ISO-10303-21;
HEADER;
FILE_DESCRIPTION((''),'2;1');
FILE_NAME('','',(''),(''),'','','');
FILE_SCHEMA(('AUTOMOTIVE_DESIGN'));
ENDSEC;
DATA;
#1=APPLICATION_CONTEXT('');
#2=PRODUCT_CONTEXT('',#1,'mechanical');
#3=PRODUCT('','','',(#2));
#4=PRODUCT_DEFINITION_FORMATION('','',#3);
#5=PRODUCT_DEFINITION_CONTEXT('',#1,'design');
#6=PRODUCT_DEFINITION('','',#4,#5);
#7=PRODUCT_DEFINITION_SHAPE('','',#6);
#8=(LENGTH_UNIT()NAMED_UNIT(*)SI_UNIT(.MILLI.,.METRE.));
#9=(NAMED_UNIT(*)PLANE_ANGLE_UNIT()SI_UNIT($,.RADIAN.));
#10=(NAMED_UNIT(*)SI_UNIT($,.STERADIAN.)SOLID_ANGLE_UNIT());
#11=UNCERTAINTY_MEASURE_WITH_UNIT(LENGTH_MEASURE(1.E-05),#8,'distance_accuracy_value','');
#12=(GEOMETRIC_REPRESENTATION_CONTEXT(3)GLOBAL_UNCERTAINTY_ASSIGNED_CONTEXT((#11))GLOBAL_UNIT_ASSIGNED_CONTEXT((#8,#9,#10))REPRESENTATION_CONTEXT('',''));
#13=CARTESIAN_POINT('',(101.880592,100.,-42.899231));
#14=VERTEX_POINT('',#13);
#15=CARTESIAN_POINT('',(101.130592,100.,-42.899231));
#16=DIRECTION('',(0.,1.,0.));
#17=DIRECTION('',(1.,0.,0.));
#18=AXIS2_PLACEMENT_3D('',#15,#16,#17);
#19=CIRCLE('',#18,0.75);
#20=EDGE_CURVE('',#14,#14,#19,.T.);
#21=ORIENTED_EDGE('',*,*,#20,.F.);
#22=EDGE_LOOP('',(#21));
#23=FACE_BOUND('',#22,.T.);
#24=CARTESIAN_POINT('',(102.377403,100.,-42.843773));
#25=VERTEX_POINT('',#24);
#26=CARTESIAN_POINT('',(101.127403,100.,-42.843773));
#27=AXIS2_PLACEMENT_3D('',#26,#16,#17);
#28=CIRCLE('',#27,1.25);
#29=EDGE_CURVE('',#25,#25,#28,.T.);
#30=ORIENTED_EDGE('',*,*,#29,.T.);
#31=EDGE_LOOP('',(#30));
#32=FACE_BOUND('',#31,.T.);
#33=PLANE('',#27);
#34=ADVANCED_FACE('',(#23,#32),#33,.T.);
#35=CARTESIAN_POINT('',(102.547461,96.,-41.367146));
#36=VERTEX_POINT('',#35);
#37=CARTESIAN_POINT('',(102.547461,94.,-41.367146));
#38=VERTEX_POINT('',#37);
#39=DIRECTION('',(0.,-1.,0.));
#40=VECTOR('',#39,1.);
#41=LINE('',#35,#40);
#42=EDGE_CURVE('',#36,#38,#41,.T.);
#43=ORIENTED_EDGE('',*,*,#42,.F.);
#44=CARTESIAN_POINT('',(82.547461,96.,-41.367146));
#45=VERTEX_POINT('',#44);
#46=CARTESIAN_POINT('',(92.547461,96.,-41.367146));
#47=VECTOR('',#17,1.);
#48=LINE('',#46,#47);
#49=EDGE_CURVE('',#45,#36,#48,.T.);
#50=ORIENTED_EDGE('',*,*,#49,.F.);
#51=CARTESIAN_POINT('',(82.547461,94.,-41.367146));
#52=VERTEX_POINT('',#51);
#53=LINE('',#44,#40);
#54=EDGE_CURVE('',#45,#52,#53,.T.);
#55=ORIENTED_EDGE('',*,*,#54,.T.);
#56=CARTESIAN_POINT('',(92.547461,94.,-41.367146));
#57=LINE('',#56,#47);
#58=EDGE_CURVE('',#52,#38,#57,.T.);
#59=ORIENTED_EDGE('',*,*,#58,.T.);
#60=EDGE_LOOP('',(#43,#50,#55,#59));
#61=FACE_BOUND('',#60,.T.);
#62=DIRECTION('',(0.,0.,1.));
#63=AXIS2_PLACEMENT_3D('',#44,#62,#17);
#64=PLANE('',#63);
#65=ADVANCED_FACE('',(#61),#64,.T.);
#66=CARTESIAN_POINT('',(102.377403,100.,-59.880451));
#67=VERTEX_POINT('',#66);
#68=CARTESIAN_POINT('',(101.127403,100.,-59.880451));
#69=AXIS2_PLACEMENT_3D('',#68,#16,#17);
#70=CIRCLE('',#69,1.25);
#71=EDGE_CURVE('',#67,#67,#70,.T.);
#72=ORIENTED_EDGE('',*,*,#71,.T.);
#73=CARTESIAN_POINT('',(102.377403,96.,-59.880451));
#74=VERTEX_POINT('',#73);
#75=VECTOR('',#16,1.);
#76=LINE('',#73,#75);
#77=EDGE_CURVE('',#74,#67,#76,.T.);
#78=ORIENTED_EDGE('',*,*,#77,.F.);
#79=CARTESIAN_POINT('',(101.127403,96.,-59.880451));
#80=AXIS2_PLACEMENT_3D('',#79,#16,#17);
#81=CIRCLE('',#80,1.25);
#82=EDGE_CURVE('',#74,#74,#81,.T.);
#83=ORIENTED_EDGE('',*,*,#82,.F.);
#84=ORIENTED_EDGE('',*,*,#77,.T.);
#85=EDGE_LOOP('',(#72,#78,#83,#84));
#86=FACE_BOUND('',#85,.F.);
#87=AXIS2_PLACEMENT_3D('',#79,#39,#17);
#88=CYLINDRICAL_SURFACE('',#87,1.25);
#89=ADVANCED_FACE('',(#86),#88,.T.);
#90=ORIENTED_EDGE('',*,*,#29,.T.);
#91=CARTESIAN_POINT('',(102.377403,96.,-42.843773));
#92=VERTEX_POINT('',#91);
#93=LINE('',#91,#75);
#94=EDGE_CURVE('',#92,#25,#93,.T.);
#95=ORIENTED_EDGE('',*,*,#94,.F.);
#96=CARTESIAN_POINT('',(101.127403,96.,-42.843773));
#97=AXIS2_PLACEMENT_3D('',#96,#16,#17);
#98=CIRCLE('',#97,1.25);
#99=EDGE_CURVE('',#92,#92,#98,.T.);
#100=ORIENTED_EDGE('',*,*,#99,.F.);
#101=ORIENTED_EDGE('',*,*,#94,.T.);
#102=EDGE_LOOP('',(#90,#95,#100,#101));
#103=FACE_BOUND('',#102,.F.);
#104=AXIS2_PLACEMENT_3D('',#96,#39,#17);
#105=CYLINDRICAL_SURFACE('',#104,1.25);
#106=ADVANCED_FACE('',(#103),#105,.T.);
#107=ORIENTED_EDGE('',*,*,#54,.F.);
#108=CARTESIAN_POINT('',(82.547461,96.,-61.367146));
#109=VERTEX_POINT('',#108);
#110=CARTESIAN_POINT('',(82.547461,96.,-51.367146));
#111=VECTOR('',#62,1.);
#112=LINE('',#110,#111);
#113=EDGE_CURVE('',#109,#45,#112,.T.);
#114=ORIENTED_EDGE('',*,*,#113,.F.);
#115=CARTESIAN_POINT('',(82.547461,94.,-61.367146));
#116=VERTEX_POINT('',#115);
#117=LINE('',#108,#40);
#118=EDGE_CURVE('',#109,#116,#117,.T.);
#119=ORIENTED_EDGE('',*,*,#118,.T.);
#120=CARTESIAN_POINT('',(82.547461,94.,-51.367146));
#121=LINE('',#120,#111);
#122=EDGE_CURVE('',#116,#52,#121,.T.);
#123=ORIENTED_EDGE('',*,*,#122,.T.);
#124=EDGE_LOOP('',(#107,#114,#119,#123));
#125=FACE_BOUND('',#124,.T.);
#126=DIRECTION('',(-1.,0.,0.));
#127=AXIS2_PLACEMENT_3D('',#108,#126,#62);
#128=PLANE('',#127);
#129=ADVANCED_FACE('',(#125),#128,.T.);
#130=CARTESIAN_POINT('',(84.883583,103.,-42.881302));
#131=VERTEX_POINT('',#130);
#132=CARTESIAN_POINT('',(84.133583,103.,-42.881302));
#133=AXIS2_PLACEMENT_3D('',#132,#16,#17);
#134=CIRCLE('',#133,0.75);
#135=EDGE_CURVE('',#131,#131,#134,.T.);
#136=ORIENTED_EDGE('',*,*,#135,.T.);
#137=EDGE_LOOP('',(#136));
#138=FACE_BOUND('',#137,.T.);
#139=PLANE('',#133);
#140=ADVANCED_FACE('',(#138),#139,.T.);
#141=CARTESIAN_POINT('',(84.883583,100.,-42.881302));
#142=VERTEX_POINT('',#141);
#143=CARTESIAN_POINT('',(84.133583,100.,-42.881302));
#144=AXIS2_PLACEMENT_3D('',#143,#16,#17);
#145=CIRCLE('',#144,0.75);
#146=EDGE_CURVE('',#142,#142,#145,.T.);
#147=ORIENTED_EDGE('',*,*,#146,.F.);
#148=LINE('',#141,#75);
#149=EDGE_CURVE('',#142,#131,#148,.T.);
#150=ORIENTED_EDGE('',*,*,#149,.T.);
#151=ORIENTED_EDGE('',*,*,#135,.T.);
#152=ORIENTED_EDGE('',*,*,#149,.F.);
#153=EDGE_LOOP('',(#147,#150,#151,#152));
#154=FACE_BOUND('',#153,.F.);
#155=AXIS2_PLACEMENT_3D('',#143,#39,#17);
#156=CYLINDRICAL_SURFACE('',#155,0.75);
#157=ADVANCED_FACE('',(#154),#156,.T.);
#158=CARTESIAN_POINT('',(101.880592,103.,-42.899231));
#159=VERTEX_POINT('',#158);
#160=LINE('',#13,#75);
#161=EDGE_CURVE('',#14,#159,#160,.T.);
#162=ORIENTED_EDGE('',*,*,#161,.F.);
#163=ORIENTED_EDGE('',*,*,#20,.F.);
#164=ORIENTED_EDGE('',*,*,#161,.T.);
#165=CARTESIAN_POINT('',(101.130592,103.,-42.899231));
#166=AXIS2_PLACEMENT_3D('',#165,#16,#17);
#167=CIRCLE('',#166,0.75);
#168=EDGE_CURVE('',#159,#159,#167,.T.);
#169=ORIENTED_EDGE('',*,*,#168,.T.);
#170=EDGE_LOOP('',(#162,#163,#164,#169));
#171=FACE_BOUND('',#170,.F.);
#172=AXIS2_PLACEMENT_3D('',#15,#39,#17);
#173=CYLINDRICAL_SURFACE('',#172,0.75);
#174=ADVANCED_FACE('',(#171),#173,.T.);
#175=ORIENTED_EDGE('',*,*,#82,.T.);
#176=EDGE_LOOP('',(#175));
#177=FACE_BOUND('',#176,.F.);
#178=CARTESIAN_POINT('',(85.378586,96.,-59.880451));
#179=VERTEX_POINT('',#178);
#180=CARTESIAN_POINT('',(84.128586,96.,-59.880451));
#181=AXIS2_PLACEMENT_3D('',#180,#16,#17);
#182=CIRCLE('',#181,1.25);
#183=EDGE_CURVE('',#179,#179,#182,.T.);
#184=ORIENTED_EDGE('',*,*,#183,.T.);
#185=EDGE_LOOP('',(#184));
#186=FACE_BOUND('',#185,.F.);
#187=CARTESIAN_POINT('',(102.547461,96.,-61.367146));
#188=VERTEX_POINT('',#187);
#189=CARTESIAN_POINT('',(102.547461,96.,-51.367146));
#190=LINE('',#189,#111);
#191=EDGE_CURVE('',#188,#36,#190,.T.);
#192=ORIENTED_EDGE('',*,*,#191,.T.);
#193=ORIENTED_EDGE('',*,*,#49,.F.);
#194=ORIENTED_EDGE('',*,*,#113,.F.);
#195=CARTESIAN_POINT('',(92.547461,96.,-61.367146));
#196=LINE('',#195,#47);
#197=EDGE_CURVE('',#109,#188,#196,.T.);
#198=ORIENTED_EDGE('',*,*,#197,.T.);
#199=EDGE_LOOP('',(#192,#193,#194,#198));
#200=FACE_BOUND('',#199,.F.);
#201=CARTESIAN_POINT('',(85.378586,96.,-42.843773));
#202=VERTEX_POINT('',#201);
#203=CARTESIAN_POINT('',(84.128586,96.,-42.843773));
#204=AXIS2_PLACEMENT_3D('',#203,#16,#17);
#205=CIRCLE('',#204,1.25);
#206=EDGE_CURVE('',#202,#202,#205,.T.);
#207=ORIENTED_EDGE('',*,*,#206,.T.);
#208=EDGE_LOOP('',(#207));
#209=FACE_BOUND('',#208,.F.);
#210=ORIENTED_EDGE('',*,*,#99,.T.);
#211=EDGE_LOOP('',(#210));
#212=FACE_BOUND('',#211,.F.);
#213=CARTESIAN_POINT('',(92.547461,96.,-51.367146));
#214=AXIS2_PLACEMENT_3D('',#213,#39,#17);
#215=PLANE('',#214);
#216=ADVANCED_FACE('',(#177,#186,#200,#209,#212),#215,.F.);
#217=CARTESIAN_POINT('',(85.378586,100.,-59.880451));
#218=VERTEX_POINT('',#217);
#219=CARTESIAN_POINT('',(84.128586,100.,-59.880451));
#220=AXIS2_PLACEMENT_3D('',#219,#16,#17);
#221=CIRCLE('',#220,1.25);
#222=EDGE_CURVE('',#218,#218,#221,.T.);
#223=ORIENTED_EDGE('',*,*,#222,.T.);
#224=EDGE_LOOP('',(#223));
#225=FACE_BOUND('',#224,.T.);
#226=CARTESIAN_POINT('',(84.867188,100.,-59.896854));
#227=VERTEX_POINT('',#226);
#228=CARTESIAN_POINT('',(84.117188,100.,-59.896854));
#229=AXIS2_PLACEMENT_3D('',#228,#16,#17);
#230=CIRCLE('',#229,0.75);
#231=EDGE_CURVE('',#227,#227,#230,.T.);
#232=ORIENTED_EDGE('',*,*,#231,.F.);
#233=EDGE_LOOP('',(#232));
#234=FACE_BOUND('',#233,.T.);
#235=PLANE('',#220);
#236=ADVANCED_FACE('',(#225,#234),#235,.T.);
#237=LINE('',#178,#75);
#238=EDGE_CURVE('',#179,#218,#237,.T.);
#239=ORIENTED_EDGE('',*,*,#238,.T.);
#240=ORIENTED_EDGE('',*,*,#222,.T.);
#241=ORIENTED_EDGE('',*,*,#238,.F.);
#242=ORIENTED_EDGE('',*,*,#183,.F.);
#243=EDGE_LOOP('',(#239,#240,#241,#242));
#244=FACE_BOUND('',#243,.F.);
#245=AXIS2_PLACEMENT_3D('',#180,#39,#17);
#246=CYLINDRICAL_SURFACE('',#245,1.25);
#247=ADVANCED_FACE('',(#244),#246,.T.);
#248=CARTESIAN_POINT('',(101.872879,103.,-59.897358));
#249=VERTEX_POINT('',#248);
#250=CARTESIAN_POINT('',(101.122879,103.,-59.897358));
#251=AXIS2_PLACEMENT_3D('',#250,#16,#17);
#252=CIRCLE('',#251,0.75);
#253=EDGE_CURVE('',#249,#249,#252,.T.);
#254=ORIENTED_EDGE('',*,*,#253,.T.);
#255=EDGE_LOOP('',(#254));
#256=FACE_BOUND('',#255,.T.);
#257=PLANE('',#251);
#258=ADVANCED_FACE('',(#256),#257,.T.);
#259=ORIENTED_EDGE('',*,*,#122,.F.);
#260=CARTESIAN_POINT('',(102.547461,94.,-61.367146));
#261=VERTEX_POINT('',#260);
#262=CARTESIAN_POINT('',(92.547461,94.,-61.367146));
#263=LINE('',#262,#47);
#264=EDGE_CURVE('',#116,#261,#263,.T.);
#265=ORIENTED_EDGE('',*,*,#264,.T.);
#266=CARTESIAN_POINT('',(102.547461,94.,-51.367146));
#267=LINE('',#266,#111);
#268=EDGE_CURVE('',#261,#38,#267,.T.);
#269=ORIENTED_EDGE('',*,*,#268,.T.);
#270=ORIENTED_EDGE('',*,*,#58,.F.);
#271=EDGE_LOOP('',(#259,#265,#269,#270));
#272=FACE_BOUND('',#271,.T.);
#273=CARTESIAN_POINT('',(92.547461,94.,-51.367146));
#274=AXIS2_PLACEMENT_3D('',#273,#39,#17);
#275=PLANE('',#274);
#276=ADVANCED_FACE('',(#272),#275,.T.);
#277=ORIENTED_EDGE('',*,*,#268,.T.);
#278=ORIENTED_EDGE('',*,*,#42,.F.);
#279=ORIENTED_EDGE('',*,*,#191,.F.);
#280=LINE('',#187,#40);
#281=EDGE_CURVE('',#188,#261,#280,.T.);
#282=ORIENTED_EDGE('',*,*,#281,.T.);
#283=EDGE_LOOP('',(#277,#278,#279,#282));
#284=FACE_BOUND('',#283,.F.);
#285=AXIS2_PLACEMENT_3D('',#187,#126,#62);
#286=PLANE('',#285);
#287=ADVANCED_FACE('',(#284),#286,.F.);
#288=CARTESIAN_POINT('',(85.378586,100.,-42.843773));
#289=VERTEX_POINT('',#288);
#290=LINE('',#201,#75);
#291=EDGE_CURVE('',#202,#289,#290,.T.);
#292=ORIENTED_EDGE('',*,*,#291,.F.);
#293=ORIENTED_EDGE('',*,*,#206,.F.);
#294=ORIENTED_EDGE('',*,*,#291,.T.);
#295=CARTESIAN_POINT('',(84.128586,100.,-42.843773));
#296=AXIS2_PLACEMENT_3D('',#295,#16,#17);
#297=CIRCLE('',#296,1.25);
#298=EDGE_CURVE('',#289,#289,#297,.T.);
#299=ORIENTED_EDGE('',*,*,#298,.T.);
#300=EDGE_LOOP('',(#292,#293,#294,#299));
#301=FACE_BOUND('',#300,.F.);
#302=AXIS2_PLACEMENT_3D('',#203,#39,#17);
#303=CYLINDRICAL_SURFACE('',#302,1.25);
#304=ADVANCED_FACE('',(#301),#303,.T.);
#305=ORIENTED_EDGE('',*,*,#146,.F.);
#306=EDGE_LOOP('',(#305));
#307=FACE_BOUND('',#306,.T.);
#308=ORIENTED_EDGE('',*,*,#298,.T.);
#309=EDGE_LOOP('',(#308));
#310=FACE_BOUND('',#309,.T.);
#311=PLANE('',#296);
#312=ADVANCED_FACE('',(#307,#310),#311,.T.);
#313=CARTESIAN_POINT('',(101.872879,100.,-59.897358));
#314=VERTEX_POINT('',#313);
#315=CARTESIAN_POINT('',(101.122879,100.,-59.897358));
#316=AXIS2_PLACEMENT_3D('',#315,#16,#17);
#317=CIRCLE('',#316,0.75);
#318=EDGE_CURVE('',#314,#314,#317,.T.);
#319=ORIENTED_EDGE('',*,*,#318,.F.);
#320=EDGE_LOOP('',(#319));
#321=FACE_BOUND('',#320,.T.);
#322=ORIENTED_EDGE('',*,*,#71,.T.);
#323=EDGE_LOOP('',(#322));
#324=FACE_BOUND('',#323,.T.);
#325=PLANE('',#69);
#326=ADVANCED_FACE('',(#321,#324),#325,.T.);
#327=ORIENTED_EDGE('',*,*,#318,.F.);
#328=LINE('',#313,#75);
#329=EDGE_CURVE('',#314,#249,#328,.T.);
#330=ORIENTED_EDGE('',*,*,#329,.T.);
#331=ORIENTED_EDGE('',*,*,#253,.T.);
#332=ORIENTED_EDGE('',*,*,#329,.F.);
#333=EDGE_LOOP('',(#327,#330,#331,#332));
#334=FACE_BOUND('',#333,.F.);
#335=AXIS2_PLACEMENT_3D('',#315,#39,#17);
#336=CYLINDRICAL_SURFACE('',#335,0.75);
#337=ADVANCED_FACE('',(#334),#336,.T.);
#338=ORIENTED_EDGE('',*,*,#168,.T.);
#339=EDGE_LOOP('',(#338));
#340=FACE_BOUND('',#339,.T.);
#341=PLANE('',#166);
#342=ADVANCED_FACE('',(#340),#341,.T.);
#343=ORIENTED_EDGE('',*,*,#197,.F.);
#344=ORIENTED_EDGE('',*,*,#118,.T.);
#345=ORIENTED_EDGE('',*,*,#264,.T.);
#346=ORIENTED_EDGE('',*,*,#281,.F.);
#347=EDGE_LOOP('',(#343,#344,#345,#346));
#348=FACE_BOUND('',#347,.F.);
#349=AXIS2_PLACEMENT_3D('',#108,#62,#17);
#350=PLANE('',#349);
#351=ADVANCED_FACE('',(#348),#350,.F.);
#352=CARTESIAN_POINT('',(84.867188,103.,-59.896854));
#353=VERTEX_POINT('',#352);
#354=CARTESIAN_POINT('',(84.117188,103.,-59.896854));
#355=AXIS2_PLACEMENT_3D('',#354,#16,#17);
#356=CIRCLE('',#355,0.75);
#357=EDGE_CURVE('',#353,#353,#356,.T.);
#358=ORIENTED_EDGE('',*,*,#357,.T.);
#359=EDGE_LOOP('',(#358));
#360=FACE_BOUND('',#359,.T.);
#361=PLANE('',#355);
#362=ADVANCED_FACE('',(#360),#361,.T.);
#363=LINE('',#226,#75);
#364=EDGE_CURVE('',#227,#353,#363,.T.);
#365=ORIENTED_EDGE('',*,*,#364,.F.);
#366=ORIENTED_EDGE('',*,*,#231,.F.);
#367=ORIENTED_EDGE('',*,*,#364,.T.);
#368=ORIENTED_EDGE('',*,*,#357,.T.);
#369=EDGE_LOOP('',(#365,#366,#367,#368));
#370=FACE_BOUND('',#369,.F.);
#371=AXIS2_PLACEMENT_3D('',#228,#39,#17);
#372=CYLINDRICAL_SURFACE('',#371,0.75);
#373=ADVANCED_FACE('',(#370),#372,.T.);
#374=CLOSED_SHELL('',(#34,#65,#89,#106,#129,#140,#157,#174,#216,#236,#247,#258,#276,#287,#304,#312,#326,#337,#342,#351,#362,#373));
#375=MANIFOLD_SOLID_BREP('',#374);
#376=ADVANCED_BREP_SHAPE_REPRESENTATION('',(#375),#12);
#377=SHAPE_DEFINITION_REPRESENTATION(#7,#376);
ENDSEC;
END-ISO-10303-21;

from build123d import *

# Parameters (mm, degrees)
SKETCH066_W  = 20
SKETCH066_H  = 20
PAD025_DEPTH = 2
SKETCH067_R  = 1.25
PAD026_DEPTH = 4
SKETCH068_R  = 0.75
PAD027_DEPTH = 3


with BuildPart() as part:
    # Sketch066 → Pad025 (new body)
    with BuildSketch(Plane.XZ):
        with Locations((92.5474607125, -51.3671462774)):
            Rectangle(SKETCH066_W, SKETCH066_H)
    extrude(amount=PAD025_DEPTH)

    # Sketch067 (on Face5 of Pad025) → Pad026 (join)
    with BuildSketch(Plane(origin=(0, 0, 0), x_dir=(1, 0, 0), z_dir=(0, 1, 0))):
        with Locations((84.128586, 59.880451)):
            Circle(SKETCH067_R)
        with Locations((101.127403, 59.880451)):
            Circle(SKETCH067_R)
        with Locations((101.127403, 42.843773)):
            Circle(SKETCH067_R)
        with Locations((84.128586, 42.843773)):
            Circle(SKETCH067_R)
    extrude(amount=PAD026_DEPTH)

    # Sketch068 (on Face14 of Pad026) → Pad027 (join)
    with BuildSketch(Plane(origin=(0, 4, 0), x_dir=(1, 0, 0), z_dir=(0, 1, 0))):
        with Locations((84.117188, 59.896854)):
            Circle(SKETCH068_R)
        with Locations((101.122879, 59.897358)):
            Circle(SKETCH068_R)
        with Locations((101.130592, 42.899231)):
            Circle(SKETCH068_R)
        with Locations((84.133583, 42.881302)):
            Circle(SKETCH068_R)
    extrude(amount=PAD027_DEPTH)


with BuildPart() as part_1:
    # Body009 placement: moved
    add(part.part.moved(Location((0, 96, 0))))


solid = part_1.part
